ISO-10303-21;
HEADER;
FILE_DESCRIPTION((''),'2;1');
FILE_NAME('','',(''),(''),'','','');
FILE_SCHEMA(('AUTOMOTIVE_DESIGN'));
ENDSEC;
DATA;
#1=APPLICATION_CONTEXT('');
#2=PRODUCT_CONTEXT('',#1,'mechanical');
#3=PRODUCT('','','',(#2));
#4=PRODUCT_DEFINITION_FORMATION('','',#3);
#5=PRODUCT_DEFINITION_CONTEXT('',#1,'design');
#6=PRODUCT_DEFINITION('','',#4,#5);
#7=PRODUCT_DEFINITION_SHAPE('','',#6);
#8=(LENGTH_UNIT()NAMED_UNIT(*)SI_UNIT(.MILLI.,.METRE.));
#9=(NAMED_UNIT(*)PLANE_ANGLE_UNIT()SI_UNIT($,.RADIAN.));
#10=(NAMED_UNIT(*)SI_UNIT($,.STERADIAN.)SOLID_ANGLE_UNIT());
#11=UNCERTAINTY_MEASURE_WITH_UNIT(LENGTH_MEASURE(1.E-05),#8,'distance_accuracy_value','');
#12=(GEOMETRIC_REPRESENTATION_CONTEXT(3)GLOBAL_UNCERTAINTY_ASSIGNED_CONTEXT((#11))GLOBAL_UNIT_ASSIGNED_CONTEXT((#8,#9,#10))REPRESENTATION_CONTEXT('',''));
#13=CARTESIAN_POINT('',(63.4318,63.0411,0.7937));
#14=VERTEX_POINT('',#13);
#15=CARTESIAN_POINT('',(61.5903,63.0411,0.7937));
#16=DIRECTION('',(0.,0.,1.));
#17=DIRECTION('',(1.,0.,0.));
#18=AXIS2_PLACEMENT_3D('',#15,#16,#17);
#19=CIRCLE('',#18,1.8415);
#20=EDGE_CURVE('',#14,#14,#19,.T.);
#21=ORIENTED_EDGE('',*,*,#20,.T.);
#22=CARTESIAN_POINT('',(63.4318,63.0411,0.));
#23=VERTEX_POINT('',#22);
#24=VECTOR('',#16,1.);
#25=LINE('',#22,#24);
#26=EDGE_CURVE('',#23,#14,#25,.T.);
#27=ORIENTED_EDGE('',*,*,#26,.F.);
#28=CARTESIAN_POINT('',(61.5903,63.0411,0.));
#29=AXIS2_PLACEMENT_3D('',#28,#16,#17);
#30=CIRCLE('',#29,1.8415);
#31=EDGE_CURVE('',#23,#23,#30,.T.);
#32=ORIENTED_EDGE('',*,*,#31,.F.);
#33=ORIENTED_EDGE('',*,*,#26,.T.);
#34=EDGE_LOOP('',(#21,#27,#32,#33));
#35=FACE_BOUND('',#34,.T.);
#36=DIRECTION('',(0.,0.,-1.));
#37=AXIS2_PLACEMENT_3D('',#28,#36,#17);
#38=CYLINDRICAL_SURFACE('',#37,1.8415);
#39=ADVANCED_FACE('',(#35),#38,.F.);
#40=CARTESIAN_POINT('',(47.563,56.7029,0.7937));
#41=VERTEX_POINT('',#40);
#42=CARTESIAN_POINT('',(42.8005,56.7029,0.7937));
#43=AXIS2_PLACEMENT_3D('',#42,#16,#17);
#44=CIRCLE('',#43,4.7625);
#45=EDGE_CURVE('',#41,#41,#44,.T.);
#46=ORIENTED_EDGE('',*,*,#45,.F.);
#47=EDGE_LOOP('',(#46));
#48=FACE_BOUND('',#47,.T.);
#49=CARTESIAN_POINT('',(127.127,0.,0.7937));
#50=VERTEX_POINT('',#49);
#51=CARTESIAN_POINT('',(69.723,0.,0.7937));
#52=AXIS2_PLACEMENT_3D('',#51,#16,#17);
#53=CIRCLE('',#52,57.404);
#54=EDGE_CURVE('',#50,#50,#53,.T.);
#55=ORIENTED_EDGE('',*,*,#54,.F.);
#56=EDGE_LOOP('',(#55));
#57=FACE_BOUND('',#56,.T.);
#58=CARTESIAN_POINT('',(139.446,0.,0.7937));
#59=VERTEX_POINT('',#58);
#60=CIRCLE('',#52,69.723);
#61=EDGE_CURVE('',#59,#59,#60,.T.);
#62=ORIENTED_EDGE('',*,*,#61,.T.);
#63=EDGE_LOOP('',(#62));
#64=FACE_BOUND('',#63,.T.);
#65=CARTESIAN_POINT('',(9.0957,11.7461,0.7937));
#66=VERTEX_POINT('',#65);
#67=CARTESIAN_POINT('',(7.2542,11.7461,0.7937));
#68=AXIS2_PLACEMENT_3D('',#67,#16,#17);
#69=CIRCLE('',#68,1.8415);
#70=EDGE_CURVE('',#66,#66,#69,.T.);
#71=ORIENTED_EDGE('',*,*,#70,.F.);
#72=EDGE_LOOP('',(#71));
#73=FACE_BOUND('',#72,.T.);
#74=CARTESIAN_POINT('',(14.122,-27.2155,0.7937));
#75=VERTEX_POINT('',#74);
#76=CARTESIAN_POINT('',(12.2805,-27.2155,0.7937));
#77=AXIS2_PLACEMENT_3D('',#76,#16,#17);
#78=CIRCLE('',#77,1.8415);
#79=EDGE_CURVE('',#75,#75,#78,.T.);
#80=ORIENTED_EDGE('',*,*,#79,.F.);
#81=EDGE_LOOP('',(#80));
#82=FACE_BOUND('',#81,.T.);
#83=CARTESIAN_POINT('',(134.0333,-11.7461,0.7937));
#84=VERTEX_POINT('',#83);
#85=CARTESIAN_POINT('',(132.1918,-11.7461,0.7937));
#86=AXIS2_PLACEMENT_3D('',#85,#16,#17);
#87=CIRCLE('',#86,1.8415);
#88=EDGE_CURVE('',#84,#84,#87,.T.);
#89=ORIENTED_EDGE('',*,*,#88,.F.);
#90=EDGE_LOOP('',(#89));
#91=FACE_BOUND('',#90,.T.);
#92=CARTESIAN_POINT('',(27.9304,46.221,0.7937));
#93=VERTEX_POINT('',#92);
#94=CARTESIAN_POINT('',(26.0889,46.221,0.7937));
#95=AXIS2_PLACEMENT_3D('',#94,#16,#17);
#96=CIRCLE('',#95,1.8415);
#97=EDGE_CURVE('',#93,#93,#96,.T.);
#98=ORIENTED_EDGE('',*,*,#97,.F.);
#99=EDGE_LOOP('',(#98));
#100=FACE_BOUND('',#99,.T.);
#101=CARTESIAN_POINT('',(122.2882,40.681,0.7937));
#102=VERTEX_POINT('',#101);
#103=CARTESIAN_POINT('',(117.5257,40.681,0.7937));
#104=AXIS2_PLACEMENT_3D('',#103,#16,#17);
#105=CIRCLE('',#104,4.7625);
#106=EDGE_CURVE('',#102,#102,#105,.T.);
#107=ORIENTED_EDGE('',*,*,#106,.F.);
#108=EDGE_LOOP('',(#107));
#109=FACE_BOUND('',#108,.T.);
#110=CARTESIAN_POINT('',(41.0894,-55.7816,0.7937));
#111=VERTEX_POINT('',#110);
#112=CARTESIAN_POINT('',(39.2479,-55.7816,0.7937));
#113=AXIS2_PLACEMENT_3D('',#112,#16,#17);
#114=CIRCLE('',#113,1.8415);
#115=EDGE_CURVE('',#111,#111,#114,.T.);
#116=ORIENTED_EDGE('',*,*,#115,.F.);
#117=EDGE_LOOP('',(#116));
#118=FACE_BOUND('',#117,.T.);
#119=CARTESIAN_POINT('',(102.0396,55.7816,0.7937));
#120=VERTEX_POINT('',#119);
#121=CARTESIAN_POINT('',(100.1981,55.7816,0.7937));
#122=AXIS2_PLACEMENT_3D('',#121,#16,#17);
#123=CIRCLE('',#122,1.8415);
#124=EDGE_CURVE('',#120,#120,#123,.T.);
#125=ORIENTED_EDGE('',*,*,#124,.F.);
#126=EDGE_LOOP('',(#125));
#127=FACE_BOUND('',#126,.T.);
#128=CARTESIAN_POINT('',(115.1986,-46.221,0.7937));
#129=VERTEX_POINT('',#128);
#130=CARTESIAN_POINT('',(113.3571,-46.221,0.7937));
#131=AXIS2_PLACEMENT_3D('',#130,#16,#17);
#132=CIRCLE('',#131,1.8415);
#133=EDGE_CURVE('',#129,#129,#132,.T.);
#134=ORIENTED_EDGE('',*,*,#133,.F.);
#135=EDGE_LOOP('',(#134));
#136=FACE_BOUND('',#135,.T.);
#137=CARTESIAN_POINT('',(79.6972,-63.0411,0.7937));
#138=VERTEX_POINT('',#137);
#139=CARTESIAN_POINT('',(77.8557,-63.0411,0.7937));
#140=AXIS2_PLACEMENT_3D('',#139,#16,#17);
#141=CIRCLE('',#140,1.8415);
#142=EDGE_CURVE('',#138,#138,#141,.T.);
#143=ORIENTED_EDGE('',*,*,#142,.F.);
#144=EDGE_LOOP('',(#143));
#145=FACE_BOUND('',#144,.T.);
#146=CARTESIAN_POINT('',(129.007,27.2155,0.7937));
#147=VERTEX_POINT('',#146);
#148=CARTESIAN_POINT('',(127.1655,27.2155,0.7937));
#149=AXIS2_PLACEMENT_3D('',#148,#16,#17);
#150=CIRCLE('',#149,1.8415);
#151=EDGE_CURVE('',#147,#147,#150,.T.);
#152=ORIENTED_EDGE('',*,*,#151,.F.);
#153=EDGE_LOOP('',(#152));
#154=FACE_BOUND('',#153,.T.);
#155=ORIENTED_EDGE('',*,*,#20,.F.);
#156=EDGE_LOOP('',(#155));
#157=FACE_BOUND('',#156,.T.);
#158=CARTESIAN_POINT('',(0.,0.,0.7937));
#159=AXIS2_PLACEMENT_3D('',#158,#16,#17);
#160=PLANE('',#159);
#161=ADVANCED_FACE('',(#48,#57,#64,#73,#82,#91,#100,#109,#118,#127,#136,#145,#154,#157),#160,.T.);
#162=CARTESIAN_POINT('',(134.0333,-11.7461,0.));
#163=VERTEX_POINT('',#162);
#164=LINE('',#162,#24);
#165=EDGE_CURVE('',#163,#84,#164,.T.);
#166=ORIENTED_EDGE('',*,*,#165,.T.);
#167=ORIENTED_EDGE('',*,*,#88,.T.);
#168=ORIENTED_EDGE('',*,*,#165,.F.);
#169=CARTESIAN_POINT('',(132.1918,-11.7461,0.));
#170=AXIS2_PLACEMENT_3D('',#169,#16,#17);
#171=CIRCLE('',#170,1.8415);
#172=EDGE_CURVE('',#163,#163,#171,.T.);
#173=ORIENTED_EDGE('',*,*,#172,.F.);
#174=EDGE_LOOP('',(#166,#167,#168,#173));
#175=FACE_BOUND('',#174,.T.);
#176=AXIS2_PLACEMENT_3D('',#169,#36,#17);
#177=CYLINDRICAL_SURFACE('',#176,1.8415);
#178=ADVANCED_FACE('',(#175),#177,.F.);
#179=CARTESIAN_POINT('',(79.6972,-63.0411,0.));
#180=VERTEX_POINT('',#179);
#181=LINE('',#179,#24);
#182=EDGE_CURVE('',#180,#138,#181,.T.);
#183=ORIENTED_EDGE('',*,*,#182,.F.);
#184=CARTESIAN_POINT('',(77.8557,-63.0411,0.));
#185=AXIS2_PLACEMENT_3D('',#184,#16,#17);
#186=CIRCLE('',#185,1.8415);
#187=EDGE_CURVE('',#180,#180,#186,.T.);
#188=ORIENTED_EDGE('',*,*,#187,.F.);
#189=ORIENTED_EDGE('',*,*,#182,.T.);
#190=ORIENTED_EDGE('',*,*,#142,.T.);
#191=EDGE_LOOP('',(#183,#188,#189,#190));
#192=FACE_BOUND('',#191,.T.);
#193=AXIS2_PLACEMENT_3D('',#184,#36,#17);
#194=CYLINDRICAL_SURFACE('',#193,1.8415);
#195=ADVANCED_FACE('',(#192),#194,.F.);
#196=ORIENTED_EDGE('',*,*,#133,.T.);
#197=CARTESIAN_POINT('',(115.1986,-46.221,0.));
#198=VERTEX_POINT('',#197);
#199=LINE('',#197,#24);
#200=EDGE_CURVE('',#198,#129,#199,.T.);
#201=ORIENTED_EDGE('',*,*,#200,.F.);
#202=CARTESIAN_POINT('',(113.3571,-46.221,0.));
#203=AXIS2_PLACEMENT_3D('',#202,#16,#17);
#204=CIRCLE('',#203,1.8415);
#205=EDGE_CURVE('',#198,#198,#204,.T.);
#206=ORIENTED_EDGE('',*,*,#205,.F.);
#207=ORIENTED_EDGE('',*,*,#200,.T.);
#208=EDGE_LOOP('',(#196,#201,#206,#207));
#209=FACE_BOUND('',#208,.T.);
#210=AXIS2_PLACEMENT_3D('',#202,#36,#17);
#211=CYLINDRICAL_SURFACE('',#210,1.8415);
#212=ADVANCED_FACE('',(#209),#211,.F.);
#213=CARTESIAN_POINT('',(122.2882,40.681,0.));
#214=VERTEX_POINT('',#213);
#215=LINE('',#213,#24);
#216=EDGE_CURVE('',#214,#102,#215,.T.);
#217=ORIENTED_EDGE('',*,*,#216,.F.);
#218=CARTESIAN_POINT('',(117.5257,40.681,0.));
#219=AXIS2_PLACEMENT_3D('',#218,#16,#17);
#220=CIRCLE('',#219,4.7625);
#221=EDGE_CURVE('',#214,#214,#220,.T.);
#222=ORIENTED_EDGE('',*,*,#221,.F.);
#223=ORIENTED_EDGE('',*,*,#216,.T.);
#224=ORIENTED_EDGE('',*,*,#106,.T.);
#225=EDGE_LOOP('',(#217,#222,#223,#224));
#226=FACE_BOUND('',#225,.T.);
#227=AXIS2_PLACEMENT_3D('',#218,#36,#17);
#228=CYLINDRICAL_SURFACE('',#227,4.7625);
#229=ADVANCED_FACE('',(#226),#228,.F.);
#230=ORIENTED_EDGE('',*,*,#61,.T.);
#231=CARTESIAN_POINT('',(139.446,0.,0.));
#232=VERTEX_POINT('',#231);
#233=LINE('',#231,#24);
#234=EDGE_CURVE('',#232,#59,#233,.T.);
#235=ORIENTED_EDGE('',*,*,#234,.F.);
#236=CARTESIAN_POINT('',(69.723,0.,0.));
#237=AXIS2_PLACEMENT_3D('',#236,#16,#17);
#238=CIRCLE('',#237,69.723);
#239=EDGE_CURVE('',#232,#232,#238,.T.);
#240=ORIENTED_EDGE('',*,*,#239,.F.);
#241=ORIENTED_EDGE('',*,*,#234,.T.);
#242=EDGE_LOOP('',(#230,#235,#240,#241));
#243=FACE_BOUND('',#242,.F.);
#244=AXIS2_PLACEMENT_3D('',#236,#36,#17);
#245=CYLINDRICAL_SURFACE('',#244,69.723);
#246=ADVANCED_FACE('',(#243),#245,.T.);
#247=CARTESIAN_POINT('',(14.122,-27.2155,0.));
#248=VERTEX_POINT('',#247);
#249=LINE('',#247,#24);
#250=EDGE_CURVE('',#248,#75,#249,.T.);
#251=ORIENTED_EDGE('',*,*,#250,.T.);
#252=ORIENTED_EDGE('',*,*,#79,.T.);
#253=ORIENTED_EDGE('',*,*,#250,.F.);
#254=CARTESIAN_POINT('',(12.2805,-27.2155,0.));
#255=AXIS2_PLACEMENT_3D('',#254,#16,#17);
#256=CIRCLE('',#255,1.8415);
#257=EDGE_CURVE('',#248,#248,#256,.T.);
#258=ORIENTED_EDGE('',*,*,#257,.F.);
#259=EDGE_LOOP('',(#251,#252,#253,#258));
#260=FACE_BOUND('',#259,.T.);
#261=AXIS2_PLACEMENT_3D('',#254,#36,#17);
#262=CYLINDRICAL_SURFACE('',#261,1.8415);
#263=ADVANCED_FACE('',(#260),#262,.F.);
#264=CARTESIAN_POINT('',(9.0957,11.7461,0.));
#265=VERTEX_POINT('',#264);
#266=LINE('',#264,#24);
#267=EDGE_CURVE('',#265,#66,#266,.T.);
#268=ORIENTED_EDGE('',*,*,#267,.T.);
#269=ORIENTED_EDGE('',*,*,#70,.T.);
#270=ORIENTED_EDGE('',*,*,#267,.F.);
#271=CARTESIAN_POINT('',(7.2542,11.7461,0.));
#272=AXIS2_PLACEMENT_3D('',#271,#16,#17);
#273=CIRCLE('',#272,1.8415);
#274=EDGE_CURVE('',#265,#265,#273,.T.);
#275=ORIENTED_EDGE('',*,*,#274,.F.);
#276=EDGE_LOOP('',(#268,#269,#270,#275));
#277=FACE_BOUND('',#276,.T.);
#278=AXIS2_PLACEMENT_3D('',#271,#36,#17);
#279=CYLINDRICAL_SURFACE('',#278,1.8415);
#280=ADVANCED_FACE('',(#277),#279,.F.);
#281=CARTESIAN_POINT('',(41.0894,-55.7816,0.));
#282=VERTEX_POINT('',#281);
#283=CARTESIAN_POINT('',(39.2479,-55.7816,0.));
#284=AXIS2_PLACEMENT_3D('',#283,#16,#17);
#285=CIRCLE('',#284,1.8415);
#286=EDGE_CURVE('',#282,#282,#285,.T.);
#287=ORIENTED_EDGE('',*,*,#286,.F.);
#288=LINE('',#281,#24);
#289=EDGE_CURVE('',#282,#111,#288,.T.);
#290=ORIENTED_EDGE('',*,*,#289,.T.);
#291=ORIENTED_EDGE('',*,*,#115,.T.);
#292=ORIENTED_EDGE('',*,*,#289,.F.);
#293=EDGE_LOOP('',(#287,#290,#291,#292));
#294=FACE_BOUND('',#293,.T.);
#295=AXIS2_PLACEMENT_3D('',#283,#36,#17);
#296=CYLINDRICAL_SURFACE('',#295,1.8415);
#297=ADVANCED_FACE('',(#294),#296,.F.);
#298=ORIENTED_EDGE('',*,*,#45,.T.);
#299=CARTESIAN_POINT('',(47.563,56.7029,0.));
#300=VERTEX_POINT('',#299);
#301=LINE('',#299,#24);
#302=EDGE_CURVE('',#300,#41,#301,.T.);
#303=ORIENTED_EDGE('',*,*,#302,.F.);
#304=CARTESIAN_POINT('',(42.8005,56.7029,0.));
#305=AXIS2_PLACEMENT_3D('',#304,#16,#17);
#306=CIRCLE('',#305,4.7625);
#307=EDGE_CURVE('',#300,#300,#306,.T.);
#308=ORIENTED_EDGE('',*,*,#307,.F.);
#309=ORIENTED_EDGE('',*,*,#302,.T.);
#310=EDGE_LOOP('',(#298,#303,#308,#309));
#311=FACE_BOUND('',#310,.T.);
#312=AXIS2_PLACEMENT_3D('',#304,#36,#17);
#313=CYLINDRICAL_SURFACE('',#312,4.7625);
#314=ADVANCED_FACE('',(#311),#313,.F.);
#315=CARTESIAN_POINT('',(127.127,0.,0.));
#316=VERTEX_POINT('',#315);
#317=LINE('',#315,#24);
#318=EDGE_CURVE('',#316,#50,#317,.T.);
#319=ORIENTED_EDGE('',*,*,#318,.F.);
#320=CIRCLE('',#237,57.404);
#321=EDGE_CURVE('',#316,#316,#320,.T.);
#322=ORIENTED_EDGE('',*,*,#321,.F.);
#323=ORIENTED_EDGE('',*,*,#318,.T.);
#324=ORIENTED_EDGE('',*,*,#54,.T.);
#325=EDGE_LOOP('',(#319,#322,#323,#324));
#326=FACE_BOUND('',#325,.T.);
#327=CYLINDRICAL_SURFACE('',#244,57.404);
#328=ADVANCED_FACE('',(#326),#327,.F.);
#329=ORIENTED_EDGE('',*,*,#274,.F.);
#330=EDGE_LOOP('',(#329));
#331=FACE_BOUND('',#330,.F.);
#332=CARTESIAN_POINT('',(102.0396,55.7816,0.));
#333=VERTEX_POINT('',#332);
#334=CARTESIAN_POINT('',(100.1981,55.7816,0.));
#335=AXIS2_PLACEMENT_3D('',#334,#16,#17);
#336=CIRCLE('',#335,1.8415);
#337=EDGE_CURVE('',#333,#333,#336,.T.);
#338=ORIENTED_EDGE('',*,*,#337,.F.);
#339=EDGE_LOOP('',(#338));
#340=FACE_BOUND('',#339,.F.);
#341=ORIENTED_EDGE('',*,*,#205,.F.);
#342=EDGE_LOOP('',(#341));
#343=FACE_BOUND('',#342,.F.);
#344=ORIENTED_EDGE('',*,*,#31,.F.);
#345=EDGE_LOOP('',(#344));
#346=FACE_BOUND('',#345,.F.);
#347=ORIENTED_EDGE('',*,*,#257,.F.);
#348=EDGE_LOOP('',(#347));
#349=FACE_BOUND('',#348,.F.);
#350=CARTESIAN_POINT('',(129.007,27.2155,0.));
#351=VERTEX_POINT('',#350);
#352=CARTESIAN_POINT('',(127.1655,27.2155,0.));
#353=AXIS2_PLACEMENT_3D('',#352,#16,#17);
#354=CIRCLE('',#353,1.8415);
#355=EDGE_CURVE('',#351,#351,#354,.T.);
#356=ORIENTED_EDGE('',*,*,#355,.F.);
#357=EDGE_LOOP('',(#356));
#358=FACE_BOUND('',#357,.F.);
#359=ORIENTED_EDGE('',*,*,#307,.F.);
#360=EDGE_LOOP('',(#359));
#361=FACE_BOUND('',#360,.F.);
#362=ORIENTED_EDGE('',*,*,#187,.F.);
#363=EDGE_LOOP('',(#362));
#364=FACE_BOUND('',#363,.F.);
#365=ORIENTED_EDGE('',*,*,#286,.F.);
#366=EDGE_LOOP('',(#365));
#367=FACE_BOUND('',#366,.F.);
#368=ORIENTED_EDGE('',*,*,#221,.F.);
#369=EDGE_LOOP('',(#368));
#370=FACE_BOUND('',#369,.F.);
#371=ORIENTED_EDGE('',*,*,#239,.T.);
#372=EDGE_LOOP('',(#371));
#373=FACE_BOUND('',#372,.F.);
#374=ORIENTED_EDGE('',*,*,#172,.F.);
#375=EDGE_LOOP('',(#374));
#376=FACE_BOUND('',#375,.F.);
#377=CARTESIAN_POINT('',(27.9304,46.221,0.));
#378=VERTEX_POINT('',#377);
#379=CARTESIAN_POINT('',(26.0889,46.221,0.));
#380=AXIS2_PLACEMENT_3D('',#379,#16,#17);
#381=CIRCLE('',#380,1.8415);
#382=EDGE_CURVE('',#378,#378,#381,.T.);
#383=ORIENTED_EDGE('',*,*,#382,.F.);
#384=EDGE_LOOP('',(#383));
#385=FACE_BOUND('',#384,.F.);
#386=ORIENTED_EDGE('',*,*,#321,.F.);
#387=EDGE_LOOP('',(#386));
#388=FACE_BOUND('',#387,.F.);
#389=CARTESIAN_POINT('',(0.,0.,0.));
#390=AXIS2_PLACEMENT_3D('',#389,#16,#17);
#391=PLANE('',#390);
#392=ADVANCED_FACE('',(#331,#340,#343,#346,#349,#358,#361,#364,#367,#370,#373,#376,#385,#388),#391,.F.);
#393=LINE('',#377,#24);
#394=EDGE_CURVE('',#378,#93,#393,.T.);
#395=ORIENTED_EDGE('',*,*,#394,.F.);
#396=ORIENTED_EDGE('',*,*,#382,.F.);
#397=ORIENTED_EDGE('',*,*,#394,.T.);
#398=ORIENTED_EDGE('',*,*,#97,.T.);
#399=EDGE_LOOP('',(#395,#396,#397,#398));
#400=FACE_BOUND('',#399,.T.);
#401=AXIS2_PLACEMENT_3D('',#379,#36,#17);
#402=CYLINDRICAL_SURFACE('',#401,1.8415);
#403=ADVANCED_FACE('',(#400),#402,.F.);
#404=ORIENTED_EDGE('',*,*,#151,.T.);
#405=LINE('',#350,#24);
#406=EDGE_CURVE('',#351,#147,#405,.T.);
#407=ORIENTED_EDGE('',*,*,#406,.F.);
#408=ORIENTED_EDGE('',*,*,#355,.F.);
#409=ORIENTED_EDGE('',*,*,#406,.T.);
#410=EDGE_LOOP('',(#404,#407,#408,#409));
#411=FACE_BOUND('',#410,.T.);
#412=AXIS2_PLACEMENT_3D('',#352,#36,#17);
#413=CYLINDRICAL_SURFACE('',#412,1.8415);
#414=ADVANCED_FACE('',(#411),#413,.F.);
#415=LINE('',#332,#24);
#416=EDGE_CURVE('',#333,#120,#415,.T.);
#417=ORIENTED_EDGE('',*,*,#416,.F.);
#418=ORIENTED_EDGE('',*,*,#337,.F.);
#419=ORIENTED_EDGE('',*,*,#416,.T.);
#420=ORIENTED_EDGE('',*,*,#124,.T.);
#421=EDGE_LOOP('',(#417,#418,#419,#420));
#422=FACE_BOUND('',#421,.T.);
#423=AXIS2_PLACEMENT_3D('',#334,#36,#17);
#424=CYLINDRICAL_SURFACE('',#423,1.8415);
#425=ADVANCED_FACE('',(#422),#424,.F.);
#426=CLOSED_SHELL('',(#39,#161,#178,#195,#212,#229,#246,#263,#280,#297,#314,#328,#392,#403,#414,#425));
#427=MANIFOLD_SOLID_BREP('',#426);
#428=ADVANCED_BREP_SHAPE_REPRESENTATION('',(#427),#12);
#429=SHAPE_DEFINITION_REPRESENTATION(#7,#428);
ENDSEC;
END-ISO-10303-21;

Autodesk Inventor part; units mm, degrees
ref_plane "YZ Plane" through (0, 0, 0) normal (1, 0, 0) x (0, 1, 0)
ref_plane "XZ Plane" through (0, 0, 0) normal (0, 1, 0) x (-1, 0, 0)
ref_plane "XY Plane" through (0, 0, 0) normal (0, 0, 1) x (1, 0, 0)
sketch "Sketch1" plane through (0, 0, 0) normal (0, 0, 1) x (1, 0, 0)
  circle A0 centre (127.1655, 27.2155) radius 1.8415 projected
  circle A1 centre (12.2805, -27.2155) radius 1.8415 projected
  circle A2 centre (61.5903, 63.0411) radius 1.8415 projected
  circle A3 centre (7.2542, 11.7461) radius 1.8415 projected
  circle A4 centre (132.1918, -11.7461) radius 1.8415 projected
  circle A5 centre (100.1981, 55.7816) radius 1.8415 projected
  circle A6 centre (39.2479, -55.7816) radius 1.8415 projected
  circle A7 centre (77.8557, -63.0411) radius 1.8415 projected
  circle A8 centre (26.0889, 46.221) radius 1.8415 projected
  circle A9 centre (113.3571, -46.221) radius 1.8415 projected
  circle A10 centre (42.8005, 56.7029) radius 4.7625 projected
  circle A11 centre (117.5257, 40.681) radius 4.7625 projected
  circle A12 centre (69.723, 0) radius 57.404 projected
  circle A13 centre (69.723, 0) radius 69.723 projected
  point P0 (0, 0)
extrude "Extrusion1" add sketch "Sketch1" along normal blind 0.7937
properties part number "1138_Inner Gasket_V1" material "Rubber"
